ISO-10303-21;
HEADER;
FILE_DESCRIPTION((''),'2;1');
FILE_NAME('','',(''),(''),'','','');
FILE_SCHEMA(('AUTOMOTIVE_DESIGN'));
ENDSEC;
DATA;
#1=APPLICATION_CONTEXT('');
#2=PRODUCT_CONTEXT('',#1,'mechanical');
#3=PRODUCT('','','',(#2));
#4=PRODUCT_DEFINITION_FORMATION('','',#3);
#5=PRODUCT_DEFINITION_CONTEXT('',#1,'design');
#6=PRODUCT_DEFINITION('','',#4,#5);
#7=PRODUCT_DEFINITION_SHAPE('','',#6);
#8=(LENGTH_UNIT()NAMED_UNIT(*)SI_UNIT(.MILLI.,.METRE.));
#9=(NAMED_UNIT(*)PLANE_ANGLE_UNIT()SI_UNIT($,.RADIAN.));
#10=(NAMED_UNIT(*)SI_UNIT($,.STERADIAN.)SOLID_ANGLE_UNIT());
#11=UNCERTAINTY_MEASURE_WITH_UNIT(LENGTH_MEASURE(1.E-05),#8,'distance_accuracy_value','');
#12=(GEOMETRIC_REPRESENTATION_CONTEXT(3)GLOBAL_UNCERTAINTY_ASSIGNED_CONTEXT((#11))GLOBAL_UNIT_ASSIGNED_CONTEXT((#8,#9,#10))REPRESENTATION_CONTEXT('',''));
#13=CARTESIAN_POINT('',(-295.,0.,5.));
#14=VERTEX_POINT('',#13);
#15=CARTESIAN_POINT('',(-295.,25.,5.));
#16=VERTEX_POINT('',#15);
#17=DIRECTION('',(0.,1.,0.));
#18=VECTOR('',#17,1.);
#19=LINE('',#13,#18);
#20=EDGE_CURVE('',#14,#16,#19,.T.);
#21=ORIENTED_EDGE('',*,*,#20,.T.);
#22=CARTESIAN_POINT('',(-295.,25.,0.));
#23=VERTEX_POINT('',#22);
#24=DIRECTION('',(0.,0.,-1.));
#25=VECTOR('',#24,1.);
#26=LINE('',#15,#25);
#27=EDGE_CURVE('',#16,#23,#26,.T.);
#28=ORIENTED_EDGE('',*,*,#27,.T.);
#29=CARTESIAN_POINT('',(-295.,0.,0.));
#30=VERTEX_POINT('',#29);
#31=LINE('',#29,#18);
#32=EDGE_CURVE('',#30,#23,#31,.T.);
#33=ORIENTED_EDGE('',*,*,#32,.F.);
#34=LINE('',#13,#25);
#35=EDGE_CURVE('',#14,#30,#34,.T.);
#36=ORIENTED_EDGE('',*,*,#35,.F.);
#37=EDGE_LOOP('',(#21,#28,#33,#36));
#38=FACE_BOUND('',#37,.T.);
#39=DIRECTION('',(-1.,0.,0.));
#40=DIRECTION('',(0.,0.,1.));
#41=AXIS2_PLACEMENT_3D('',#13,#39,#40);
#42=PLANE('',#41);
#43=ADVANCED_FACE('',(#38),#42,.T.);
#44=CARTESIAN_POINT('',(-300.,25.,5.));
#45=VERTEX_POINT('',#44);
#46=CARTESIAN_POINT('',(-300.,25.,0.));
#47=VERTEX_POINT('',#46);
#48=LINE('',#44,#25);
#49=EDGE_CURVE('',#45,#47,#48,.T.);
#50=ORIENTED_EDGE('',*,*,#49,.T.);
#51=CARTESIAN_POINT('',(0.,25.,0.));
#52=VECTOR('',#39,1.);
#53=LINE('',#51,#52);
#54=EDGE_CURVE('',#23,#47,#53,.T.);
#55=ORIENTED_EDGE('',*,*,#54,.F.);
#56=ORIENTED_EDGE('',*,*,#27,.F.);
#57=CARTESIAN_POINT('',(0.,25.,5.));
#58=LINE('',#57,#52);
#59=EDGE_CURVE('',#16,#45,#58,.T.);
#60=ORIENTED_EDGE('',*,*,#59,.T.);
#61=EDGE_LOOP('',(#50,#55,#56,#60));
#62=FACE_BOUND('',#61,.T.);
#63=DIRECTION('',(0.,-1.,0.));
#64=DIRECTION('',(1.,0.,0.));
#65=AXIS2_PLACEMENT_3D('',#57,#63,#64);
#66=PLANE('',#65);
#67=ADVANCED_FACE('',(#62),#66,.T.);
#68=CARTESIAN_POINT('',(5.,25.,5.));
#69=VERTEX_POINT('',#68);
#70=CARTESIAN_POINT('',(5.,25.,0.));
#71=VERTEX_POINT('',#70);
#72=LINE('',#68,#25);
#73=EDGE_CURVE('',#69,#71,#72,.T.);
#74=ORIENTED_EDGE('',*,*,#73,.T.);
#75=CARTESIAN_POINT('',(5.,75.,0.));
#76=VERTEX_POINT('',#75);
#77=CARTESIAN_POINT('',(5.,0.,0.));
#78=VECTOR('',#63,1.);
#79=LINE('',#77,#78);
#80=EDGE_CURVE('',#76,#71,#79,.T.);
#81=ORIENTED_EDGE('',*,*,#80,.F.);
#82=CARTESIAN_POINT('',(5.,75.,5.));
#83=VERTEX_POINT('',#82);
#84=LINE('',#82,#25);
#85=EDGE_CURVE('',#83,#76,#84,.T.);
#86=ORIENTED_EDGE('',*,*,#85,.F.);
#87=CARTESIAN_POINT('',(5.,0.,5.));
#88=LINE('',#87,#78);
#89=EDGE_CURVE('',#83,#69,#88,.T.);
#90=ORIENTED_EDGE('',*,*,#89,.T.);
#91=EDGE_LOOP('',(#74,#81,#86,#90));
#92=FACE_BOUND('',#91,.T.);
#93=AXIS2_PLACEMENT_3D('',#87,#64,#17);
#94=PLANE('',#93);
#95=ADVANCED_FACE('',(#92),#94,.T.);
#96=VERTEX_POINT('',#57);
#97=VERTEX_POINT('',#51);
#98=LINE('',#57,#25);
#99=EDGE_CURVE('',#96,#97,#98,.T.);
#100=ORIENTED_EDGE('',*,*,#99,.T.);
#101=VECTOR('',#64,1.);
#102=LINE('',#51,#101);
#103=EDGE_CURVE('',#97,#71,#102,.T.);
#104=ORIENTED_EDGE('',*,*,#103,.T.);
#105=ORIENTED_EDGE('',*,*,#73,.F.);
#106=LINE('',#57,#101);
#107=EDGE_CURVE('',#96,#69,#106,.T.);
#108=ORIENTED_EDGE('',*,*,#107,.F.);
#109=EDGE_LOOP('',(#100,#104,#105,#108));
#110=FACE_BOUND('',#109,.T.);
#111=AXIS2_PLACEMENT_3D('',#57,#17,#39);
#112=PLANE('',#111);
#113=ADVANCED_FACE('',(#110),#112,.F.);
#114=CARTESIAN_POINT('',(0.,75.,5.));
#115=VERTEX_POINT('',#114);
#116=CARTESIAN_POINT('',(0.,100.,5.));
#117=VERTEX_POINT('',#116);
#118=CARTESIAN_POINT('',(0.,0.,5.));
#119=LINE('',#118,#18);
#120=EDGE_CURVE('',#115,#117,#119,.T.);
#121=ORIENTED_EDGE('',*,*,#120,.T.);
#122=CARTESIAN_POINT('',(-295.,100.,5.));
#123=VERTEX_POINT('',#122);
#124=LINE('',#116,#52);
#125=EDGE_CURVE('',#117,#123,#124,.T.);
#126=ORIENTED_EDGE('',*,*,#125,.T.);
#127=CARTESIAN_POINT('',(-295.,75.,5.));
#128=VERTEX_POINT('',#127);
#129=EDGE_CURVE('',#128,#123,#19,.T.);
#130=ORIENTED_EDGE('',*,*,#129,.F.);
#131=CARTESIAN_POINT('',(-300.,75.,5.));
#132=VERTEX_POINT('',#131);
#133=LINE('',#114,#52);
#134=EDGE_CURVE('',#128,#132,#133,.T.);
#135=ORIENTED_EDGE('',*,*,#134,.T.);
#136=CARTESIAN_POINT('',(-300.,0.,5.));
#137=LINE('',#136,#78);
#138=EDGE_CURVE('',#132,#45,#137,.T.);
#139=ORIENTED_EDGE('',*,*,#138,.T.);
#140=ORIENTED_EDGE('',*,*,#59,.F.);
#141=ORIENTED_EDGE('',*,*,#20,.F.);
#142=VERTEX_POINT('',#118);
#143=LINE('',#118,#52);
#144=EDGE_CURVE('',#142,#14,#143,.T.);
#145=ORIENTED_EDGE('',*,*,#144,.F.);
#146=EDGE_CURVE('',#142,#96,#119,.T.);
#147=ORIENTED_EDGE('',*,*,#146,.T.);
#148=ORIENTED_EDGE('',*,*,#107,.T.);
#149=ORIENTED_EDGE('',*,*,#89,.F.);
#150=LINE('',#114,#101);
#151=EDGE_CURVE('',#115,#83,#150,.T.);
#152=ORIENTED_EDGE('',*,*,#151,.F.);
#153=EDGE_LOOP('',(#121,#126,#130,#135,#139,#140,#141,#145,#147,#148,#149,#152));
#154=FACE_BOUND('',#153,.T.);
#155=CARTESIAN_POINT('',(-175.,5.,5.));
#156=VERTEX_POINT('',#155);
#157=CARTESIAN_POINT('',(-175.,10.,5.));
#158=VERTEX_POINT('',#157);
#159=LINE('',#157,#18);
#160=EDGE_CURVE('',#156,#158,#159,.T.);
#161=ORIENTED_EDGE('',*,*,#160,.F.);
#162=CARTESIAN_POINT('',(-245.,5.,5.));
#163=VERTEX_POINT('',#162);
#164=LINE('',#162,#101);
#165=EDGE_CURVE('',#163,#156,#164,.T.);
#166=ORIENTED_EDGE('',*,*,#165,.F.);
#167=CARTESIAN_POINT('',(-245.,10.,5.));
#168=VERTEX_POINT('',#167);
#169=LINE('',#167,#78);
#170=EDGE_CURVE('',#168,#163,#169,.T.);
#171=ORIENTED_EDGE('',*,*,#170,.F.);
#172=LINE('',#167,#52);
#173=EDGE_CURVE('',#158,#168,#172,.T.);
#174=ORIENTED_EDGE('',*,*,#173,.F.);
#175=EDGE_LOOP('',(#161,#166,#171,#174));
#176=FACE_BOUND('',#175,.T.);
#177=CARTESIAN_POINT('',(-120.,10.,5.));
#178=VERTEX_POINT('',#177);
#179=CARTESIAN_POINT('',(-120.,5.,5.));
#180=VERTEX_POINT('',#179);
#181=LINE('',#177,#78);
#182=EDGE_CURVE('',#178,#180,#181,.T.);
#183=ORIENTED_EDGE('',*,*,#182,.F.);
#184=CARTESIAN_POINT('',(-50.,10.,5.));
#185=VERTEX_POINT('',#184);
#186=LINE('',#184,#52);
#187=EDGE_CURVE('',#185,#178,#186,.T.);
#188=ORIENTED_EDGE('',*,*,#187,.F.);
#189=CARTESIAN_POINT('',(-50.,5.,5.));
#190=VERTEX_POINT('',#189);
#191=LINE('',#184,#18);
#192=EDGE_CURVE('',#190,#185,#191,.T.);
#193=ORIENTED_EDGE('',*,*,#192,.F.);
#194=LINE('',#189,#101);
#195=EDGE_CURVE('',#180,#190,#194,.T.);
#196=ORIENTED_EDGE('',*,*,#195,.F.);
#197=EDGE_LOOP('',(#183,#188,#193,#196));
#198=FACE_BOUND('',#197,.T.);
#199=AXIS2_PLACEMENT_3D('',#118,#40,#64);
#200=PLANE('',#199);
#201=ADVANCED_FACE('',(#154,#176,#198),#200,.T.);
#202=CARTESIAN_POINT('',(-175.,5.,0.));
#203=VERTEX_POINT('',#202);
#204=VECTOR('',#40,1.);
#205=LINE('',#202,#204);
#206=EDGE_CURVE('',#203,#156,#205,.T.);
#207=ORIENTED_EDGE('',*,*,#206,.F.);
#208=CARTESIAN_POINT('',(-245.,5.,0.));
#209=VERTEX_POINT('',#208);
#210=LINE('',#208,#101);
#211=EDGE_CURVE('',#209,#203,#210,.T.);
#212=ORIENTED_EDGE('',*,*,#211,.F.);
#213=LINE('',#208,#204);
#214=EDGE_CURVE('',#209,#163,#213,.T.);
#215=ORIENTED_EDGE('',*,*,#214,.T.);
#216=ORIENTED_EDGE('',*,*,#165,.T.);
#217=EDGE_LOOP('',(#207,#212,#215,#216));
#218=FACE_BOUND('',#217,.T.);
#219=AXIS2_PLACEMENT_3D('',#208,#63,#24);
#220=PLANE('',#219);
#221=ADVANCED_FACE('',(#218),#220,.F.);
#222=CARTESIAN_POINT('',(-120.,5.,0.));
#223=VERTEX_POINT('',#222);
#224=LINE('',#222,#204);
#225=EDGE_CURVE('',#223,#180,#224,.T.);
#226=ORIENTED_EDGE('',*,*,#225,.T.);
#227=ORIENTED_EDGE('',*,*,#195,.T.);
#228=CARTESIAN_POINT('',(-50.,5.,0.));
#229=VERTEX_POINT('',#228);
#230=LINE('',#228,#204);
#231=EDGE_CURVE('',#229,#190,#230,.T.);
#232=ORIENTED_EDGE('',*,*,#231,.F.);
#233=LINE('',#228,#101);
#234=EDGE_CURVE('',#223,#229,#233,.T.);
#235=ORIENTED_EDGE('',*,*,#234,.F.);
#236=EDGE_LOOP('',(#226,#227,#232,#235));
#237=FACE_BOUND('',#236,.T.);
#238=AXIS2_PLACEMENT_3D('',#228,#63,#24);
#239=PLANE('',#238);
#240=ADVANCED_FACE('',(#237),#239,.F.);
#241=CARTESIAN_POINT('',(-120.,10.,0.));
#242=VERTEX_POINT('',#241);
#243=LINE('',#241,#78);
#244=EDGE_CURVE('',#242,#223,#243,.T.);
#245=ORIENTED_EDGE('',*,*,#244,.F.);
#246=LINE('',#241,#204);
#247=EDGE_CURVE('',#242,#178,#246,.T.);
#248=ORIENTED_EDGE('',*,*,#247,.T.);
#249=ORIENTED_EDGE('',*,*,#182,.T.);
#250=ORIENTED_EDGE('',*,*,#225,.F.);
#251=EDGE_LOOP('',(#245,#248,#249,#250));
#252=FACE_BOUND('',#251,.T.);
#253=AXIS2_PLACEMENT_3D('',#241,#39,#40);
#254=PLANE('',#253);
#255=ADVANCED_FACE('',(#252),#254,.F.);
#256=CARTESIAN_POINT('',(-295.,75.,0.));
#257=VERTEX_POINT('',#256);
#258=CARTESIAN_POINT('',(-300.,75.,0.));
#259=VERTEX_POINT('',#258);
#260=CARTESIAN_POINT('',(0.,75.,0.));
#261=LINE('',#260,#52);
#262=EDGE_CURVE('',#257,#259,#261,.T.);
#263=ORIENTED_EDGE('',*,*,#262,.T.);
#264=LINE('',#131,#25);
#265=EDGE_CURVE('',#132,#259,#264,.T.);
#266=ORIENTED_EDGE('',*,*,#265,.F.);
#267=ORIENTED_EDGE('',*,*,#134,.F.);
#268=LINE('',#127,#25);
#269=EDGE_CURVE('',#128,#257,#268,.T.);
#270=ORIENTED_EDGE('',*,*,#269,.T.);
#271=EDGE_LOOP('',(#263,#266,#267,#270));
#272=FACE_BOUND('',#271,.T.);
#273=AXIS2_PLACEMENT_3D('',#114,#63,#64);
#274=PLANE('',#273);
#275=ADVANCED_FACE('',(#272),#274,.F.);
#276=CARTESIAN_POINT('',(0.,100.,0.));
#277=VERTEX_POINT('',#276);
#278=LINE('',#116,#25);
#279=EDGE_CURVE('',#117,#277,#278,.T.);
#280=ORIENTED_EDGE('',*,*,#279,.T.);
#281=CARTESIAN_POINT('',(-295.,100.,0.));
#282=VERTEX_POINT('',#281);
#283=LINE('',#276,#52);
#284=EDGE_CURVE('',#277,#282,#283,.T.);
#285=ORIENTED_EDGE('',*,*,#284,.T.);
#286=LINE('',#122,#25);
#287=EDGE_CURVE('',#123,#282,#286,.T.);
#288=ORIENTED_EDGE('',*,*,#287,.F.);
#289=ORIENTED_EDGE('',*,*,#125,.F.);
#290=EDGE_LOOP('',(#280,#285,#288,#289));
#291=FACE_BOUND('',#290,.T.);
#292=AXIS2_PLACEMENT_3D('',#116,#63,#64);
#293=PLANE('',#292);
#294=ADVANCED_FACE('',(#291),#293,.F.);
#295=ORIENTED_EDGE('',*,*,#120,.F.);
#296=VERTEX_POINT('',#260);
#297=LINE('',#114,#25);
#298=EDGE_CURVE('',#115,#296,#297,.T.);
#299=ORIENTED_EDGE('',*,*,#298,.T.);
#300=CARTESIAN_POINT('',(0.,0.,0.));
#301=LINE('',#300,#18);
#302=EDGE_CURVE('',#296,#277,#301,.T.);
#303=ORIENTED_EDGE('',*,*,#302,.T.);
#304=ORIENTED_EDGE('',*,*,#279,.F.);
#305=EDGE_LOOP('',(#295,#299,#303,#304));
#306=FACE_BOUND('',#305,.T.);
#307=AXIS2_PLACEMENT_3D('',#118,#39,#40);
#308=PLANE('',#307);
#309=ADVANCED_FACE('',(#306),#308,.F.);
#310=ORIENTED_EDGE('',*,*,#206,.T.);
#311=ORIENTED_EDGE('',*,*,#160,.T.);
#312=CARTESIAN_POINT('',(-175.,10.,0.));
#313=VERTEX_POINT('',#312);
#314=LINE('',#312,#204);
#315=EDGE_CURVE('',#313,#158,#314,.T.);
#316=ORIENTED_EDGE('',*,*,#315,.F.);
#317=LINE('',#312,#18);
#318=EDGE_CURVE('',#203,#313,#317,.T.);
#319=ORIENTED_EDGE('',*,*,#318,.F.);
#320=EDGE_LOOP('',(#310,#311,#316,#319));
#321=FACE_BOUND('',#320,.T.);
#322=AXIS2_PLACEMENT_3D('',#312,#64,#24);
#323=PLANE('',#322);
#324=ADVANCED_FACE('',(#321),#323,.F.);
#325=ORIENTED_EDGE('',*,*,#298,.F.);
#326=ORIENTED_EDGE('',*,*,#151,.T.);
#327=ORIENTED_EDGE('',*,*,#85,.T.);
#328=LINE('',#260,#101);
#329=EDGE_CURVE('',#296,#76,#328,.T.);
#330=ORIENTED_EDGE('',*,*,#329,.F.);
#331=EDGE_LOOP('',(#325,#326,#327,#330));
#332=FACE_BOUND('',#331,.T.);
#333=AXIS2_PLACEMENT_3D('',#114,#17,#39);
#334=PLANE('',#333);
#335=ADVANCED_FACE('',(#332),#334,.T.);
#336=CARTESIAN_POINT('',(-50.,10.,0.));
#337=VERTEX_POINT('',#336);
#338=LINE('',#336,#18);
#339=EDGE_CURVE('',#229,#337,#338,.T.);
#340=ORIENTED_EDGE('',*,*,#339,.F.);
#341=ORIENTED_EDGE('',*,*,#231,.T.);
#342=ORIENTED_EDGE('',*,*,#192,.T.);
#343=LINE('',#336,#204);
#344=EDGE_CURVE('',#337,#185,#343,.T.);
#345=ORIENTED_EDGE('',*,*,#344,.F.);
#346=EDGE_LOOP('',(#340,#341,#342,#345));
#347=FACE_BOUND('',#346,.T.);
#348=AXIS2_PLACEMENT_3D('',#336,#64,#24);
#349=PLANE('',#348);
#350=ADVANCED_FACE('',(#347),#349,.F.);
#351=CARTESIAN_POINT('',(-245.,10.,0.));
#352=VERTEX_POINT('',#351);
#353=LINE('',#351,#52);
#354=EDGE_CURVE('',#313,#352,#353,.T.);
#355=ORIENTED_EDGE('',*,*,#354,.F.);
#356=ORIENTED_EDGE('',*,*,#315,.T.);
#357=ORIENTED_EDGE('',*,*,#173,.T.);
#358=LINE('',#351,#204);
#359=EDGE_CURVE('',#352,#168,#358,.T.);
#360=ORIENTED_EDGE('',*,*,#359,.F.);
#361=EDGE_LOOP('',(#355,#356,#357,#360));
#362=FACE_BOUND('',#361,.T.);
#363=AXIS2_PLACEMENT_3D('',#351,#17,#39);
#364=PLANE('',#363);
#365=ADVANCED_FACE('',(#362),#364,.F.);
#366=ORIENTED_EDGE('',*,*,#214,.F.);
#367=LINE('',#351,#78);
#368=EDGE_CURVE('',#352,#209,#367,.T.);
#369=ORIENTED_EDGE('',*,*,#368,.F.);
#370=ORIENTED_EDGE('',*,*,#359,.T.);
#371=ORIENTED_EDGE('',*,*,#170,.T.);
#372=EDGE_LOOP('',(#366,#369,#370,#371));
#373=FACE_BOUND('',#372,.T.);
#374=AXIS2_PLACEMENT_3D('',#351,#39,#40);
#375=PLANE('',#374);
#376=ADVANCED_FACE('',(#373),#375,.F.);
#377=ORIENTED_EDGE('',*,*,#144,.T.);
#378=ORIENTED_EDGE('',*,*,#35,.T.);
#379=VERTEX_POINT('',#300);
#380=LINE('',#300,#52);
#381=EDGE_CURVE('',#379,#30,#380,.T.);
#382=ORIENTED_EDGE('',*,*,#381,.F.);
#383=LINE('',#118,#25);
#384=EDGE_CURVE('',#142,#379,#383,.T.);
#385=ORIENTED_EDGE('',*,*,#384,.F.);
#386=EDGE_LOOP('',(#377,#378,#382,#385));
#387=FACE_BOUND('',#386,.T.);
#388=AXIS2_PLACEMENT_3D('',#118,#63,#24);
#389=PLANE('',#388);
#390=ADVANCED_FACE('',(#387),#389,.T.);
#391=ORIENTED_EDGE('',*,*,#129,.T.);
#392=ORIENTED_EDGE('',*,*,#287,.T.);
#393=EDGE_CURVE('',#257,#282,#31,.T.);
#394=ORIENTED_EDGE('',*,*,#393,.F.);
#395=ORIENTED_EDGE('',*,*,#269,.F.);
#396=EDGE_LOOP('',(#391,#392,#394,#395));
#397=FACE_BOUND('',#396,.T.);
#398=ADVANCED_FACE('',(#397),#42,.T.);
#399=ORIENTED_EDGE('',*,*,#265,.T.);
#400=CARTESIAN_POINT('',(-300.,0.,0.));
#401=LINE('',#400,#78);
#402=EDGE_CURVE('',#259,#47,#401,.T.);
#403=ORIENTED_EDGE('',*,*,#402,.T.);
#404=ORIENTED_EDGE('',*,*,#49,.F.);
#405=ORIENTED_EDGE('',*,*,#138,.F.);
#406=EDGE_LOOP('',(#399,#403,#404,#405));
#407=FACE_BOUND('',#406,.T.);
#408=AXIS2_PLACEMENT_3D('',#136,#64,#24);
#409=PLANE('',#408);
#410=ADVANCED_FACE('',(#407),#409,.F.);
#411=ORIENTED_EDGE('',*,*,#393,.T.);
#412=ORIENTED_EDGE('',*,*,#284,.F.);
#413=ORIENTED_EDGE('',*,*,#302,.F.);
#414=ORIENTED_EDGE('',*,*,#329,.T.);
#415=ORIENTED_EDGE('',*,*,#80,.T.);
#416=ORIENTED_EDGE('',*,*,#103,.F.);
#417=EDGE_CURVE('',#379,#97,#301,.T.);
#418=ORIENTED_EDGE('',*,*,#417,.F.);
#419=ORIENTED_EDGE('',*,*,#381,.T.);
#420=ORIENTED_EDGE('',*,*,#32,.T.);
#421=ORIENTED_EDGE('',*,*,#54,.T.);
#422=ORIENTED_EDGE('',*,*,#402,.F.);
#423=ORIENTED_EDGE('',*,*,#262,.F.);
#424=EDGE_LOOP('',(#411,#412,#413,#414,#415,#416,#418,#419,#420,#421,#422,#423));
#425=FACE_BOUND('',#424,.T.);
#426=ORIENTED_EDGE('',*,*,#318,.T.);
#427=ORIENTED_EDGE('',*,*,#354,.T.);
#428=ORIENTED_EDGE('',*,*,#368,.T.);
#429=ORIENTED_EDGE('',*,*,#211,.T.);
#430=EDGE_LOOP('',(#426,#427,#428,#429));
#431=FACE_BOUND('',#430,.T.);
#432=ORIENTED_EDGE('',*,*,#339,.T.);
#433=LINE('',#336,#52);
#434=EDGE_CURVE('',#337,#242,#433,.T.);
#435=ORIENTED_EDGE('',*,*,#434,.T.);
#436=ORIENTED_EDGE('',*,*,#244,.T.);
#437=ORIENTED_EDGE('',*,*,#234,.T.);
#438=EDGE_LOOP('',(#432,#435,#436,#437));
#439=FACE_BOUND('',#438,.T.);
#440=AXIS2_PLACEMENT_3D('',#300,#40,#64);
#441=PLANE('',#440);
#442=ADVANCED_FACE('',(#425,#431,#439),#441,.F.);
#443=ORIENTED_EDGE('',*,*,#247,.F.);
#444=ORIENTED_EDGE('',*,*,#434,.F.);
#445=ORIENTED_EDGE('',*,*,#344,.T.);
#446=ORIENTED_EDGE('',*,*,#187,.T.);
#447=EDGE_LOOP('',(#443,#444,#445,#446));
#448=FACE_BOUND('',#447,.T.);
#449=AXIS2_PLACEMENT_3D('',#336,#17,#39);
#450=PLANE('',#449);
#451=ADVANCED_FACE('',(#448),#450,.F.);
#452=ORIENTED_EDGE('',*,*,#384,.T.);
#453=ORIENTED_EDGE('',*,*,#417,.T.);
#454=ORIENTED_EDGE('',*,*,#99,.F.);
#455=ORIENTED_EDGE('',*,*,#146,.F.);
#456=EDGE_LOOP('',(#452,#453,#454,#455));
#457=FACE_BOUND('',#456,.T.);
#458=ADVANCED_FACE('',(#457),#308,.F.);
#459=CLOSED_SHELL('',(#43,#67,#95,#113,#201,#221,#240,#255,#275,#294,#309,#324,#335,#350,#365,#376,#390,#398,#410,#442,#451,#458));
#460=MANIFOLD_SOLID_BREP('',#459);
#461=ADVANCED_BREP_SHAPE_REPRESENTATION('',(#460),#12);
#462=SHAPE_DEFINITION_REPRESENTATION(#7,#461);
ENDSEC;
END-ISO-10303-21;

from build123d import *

# Parameters (mm, degrees)
SKETCH1_W           = 295
SKETCH1_H           = 100
SKETCH1_W_2         = 5
SKETCH1_H_2         = 50
BOSS_EXTRUDE1_DEPTH = 5
SKETCH2_W           = 70
SKETCH2_H           = 5
CUT_EXTRUDE1_DEPTH  = 5


with BuildPart() as part:
    # Sketch1 → Boss-Extrude1 (new body)
    with BuildSketch(Plane.XY):
        with Locations((-147.5, 50)):
            Rectangle(SKETCH1_W, SKETCH1_H)
        with Locations((2.5, 50)):
            Rectangle(SKETCH1_W_2, SKETCH1_H_2)
        with Locations((-297.5, 50)):
            Rectangle(SKETCH1_W_2, SKETCH1_H_2)
    extrude(amount=BOSS_EXTRUDE1_DEPTH)

    # Sketch2 → Cut-Extrude1 (cut)
    with BuildSketch(Plane.XY.offset(5)):
        with Locations((-210, 7.5)):
            Rectangle(SKETCH2_W, SKETCH2_H)
        with Locations((-85, 7.5)):
            Rectangle(SKETCH2_W, SKETCH2_H)
    extrude(amount=-CUT_EXTRUDE1_DEPTH, mode=Mode.SUBTRACT)


solid = part.part
